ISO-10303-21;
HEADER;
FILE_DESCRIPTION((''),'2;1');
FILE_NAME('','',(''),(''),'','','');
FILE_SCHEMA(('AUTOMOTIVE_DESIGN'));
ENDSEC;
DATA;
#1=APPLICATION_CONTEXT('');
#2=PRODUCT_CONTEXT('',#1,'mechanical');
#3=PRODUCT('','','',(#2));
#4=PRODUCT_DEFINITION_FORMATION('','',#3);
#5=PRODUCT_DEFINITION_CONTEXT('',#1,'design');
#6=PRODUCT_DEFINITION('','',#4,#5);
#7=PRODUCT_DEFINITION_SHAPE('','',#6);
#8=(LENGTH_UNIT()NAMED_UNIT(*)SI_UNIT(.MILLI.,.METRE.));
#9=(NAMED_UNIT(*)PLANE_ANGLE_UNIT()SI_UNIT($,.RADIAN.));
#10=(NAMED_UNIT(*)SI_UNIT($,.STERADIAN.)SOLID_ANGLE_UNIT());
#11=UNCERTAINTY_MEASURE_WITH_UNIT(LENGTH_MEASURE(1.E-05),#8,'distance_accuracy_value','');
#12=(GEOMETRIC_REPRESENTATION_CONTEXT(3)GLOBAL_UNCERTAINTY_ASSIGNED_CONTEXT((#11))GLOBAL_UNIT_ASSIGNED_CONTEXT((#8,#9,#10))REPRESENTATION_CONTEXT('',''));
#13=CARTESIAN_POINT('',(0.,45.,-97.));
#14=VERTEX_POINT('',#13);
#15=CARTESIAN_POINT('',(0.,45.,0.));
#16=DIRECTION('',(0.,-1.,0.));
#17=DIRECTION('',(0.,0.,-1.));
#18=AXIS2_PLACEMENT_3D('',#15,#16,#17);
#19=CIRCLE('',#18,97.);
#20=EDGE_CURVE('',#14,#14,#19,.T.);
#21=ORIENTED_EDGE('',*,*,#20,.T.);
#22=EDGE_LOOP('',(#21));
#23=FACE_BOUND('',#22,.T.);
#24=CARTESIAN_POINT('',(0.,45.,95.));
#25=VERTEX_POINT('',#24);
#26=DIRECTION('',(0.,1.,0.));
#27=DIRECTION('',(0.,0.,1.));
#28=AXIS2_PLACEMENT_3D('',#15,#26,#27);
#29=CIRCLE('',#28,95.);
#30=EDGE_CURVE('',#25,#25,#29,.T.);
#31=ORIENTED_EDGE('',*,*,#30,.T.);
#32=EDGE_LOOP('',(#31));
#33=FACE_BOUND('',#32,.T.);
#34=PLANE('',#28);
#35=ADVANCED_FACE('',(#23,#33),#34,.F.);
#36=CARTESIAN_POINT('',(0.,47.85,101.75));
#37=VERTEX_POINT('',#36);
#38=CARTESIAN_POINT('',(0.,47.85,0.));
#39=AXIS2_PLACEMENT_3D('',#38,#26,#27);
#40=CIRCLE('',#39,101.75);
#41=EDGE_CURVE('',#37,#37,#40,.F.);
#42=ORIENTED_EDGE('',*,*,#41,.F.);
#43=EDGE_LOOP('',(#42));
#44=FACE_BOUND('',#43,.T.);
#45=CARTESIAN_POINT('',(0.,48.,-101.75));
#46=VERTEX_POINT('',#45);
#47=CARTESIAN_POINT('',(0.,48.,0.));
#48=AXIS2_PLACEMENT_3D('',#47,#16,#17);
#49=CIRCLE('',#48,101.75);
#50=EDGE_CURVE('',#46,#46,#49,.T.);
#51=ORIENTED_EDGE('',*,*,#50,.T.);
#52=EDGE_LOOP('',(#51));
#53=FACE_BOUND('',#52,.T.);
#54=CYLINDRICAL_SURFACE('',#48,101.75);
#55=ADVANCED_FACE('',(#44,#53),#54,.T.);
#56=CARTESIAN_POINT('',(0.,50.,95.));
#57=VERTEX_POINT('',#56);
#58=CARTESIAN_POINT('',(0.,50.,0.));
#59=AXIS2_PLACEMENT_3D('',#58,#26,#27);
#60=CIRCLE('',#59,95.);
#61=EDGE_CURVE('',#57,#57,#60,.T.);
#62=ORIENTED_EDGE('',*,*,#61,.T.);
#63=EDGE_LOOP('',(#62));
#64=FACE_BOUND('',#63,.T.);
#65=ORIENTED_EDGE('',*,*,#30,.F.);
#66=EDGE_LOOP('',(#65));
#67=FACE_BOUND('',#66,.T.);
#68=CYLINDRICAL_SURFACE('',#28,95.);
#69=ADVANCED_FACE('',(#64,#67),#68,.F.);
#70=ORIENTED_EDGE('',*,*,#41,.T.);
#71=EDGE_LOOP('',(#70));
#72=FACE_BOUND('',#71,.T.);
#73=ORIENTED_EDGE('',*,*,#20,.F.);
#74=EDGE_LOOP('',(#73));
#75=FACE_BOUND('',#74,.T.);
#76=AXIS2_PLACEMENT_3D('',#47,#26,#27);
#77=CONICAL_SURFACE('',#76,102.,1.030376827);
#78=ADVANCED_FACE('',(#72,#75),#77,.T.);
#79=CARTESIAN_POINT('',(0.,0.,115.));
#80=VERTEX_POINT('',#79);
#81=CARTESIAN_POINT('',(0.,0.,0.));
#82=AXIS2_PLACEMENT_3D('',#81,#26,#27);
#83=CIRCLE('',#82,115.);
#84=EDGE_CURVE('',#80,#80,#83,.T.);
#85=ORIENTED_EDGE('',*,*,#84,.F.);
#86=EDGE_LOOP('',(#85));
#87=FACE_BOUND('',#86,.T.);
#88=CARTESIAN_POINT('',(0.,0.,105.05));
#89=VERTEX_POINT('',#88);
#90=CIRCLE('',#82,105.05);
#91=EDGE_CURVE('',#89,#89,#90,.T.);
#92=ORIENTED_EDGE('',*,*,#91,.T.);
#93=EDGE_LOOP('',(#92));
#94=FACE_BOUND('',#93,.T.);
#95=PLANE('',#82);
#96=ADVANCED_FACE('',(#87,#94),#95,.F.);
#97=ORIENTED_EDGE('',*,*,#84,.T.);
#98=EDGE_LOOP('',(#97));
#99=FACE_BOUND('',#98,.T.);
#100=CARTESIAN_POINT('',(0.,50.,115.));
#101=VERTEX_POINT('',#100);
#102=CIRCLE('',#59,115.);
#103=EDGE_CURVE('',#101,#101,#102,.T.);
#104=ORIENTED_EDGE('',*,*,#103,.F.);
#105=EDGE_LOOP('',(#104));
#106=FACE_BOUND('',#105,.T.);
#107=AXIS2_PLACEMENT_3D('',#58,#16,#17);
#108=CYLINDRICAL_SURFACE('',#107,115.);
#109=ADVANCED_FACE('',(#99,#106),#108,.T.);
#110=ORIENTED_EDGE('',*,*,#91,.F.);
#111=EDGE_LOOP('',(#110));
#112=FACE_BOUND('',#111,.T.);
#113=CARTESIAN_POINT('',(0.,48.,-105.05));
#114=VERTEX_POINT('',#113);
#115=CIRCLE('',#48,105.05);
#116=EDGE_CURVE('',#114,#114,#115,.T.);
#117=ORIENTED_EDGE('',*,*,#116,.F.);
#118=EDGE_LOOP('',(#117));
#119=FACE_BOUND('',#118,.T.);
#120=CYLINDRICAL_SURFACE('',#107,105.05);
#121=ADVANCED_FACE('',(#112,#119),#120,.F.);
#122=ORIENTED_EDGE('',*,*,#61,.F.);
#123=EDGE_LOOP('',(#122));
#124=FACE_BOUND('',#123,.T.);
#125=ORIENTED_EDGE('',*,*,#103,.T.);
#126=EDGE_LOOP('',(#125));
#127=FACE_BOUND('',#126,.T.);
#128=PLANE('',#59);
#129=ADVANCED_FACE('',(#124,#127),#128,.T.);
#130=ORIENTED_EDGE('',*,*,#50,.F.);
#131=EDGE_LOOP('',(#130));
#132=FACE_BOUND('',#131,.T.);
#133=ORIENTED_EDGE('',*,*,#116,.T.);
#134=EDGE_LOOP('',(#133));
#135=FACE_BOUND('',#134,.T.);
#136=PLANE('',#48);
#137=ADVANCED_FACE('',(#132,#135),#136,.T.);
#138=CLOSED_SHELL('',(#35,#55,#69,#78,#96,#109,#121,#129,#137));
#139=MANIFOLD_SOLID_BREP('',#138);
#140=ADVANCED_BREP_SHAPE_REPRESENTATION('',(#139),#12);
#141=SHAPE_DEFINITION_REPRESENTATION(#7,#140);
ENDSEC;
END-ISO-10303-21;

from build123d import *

# Parameters (mm, degrees)
SKETCH1_R           = 115
SKETCH1_R_2         = 105.05
BOSS_EXTRUDE1_DEPTH = 50
SKETCH2_R           = 105.05
SKETCH2_R_2         = 95
BOSS_EXTRUDE2_DEPTH = 5
SKETCH3_R           = 105.05
SKETCH3_R_2         = 101.75
CUT_EXTRUDE1_DEPTH  = 3


with BuildPart() as part:
    # Sketch1 → Boss-Extrude1 (new body)
    with BuildSketch(Plane(origin=(0, 0, 0), x_dir=(1, 0, 0), z_dir=(0, 1, 0))):
        Circle(SKETCH1_R)
        Circle(SKETCH1_R_2, mode=Mode.SUBTRACT)
    extrude(amount=BOSS_EXTRUDE1_DEPTH)

    # Sketch2 → Boss-Extrude2 (add)
    with BuildSketch(Plane(origin=(0, 50, 0), x_dir=(1, 0, 0), z_dir=(0, 1, 0))):
        Circle(SKETCH2_R)
        Circle(SKETCH2_R_2, mode=Mode.SUBTRACT)
    extrude(amount=-BOSS_EXTRUDE2_DEPTH)

    # Sketch3 → Cut-Extrude1 (cut)
    with BuildSketch(Plane.XZ.offset(-45)):
        Circle(SKETCH3_R)
        Circle(SKETCH3_R_2, mode=Mode.SUBTRACT)
    extrude(amount=-CUT_EXTRUDE1_DEPTH, mode=Mode.SUBTRACT)

    # Sketch6 → Cut-Revolve1 (revolve, cut)
    with BuildSketch(Plane.XY):
        Polygon((102, 48), (97, 45), (102, 45), align=None)
    revolve(axis=Axis((0, 48, 0), (0, -1, 0)), mode=Mode.SUBTRACT)


solid = part.part
